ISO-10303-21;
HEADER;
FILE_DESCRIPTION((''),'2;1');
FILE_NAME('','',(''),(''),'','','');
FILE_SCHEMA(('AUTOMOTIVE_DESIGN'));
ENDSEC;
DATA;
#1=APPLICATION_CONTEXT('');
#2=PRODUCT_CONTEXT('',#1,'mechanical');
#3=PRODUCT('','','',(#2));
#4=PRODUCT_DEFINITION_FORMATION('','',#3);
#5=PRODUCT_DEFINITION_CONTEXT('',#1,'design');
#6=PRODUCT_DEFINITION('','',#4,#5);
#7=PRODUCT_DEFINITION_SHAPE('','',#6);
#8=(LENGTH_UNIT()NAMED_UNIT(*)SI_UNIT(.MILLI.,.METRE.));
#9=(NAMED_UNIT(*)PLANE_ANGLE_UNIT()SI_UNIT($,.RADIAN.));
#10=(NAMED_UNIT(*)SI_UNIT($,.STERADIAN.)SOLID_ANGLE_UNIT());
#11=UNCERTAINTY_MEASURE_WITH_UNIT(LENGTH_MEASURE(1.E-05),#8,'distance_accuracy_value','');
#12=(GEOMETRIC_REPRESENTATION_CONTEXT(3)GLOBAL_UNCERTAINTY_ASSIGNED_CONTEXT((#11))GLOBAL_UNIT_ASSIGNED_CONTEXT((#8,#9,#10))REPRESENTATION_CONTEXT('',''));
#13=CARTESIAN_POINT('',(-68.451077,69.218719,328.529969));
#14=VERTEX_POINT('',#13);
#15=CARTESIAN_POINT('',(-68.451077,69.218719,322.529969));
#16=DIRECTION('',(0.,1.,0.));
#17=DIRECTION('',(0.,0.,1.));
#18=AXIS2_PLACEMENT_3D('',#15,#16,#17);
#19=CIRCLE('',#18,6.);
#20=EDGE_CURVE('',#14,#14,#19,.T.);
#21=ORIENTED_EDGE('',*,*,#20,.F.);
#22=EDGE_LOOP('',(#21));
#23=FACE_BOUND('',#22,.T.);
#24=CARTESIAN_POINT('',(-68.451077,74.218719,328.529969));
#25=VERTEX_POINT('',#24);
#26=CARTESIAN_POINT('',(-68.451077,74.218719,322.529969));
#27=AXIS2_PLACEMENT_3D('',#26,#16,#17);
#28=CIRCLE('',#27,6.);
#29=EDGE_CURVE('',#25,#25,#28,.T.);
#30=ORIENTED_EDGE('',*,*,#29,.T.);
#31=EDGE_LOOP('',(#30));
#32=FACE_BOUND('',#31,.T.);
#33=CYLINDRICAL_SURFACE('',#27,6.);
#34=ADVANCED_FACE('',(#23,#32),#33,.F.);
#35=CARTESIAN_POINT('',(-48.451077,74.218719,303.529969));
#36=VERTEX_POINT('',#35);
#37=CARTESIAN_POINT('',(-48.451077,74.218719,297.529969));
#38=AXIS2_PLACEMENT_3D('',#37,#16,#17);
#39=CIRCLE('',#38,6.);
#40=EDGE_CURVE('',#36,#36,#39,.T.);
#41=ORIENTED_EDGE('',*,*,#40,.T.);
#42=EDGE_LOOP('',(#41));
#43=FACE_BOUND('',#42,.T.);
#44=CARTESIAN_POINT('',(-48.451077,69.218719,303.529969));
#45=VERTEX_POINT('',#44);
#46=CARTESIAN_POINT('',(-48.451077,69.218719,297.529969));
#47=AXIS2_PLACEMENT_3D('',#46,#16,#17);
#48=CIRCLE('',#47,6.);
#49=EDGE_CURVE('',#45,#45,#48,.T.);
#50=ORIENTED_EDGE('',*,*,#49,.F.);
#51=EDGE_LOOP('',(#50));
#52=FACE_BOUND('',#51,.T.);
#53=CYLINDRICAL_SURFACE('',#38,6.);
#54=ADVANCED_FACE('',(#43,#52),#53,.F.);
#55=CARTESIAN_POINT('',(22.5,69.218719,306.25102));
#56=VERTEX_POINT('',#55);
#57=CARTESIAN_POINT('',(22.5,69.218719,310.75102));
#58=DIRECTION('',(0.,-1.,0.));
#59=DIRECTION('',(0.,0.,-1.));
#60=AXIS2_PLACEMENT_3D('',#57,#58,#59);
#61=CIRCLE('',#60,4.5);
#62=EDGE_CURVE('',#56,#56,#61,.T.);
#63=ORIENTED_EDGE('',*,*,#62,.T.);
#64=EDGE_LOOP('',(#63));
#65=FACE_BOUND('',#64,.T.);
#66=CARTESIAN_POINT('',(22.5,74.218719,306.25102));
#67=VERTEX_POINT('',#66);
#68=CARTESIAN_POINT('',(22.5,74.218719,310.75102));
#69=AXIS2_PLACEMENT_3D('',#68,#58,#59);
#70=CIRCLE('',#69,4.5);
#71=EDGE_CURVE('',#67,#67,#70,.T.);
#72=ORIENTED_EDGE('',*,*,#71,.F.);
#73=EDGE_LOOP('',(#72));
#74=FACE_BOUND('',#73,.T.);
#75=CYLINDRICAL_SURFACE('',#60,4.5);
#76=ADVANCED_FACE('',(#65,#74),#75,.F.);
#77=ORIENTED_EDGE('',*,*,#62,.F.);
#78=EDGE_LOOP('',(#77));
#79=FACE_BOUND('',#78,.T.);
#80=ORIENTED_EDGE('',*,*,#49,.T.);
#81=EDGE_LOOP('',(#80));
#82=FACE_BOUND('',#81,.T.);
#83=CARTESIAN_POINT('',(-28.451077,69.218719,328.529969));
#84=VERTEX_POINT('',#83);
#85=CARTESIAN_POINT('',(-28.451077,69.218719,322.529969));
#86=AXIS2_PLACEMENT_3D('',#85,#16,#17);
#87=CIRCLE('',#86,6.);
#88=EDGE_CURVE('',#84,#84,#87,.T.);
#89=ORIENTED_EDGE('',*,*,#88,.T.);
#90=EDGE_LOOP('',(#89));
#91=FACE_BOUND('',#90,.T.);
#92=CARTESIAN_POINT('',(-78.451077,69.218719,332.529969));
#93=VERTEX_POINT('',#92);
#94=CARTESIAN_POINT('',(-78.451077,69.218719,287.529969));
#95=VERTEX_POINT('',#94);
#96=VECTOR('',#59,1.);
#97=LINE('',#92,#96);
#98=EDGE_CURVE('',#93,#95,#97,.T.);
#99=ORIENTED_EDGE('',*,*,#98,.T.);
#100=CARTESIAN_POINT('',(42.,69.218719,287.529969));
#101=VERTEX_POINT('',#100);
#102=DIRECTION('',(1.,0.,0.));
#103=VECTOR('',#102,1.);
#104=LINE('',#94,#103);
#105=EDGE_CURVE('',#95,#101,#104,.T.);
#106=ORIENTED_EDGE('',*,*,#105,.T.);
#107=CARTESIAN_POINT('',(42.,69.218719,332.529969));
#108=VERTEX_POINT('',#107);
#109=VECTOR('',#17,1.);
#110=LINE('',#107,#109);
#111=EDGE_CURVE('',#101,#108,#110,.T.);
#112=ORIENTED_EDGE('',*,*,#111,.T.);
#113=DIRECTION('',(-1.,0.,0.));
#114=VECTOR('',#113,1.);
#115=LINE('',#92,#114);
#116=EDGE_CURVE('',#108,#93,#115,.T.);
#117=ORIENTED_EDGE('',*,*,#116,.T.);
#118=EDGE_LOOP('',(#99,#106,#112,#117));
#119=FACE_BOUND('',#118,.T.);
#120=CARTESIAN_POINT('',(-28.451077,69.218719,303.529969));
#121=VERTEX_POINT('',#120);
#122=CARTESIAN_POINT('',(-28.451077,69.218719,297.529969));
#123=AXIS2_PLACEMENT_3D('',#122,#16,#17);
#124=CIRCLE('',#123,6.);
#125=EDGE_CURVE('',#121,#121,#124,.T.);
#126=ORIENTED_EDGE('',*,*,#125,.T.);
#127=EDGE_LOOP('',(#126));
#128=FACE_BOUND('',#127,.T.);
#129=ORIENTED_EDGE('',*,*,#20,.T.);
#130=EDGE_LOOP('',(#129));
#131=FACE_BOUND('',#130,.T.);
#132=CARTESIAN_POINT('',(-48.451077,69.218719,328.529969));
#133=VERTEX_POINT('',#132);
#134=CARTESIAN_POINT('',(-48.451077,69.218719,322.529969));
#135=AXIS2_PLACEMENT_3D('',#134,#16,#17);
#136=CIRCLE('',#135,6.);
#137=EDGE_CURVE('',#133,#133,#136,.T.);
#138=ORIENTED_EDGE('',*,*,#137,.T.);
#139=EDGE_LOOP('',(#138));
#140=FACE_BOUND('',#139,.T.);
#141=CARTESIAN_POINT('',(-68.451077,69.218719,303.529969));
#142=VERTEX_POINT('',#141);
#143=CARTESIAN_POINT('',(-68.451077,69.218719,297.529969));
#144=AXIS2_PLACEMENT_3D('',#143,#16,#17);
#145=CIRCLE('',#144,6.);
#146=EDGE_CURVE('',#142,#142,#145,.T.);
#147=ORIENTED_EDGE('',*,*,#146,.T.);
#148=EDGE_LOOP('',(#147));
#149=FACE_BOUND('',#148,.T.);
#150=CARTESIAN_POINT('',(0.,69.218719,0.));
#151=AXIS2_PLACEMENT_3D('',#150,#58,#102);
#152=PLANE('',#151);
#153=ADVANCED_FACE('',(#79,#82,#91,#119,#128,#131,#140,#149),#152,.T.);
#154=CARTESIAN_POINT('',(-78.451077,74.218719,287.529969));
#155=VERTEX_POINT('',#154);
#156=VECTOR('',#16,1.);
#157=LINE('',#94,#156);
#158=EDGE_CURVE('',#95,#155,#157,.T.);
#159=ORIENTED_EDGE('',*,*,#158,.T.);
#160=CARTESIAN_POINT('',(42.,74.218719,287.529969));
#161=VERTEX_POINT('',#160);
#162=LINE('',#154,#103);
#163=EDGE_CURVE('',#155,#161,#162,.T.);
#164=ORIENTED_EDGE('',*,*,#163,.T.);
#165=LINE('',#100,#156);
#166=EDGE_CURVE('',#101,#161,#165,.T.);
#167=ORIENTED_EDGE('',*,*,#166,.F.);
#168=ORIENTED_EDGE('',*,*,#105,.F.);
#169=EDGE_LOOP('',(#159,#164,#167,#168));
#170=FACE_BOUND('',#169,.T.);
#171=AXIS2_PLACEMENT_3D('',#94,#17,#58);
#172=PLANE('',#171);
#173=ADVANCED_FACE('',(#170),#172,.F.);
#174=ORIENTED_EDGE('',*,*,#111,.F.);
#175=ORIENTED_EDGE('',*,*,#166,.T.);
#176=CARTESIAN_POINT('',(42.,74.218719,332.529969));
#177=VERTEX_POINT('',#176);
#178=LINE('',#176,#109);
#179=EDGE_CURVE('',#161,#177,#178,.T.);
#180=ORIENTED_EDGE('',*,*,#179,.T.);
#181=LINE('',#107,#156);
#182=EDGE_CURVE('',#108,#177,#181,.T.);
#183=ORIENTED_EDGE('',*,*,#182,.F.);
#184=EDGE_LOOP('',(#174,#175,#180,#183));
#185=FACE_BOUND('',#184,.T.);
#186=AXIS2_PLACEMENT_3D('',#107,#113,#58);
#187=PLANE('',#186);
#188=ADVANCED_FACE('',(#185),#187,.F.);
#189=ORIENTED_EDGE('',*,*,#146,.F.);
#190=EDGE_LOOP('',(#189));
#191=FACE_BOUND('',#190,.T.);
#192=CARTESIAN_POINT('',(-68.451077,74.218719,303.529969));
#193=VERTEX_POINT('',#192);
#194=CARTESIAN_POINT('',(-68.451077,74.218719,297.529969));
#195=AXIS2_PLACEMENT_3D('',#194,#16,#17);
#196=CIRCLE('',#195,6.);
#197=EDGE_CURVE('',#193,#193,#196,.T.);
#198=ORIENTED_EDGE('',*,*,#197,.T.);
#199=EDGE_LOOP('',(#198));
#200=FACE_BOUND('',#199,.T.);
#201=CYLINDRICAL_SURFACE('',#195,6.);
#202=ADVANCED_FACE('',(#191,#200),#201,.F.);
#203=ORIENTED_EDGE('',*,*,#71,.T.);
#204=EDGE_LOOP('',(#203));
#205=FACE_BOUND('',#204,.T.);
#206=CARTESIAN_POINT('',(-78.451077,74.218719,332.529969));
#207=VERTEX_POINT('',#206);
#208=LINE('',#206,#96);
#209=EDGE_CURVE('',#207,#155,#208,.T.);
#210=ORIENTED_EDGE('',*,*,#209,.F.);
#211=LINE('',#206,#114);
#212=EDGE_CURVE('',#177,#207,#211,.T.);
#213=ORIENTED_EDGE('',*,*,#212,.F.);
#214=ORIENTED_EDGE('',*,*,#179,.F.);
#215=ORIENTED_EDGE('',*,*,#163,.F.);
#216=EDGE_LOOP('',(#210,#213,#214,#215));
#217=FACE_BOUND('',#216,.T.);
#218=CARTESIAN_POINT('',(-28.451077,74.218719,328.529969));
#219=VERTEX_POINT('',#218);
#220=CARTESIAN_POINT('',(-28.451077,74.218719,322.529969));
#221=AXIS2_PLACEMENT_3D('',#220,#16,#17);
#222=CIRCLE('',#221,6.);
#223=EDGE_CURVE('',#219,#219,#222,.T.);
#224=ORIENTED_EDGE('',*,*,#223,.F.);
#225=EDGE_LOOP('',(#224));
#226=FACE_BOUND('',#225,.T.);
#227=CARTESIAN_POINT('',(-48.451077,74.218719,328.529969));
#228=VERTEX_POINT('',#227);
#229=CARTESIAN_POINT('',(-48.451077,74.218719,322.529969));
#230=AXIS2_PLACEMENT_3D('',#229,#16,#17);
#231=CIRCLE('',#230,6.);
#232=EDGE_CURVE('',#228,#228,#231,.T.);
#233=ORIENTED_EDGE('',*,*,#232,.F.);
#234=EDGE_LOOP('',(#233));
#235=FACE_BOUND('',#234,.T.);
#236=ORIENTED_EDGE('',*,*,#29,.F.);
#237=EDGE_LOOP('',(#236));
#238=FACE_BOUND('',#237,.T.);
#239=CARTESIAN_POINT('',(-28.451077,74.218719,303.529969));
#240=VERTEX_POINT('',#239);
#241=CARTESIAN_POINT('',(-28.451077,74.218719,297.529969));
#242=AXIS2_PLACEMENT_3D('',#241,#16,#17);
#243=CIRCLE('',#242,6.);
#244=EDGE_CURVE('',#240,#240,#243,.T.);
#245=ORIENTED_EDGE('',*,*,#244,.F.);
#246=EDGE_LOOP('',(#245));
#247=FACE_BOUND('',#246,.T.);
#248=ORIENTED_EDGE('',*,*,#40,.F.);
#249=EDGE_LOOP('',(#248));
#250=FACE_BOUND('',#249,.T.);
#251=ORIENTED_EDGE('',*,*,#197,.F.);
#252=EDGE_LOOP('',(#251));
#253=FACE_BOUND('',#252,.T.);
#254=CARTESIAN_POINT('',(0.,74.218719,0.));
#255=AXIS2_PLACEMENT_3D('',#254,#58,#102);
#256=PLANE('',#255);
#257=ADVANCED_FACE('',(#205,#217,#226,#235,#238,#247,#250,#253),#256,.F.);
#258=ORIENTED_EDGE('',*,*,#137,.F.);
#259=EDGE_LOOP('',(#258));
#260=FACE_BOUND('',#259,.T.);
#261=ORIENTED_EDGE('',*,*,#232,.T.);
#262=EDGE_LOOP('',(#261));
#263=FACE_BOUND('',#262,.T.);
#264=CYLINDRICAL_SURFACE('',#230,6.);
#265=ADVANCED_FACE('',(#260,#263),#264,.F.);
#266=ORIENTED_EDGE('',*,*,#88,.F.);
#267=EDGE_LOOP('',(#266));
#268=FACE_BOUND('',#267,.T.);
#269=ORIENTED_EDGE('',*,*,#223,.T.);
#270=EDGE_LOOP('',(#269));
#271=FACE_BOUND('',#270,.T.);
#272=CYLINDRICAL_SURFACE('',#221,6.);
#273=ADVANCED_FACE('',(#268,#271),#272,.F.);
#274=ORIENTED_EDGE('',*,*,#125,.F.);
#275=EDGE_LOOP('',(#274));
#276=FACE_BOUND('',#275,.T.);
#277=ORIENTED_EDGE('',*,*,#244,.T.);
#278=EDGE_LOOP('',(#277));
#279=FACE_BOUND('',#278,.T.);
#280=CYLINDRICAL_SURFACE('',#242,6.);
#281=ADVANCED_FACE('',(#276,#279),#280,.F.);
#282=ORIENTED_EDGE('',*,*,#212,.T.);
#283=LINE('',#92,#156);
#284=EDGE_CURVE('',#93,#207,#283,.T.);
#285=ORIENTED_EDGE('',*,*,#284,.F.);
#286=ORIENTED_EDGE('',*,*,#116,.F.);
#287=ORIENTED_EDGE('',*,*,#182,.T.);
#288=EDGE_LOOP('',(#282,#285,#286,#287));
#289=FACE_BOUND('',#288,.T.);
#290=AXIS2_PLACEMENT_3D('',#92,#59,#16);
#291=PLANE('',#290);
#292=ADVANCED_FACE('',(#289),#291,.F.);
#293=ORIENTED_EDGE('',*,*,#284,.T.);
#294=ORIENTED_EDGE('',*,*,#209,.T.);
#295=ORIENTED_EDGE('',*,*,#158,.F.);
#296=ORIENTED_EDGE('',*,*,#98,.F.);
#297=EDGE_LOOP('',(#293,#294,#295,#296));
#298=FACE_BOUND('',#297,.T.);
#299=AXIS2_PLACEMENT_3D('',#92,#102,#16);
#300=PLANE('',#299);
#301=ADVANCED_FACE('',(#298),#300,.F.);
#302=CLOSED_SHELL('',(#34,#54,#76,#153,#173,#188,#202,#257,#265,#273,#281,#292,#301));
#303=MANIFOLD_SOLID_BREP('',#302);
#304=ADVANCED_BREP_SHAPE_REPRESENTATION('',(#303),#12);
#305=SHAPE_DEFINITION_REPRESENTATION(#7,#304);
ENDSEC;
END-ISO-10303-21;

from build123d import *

# Parameters (mm, degrees)
SKETCH1_W                  = 120.45107664
SKETCH1_H                  = 45
BOSS_EXTRUDE1_DEPTH        = 5
F_12_0_12_DIAMETER_HOLE1_D = 12
F_9_0_9_DIAMETER_HOLE1_D   = 9


with BuildPart() as part:
    # Sketch1 → Boss-Extrude1 (new body)
    with BuildSketch(Plane.XZ.offset(-74.218719002)):
        with Locations((-18.22553832, 310.029969029)):
            Rectangle(SKETCH1_W, SKETCH1_H)
    extrude(amount=BOSS_EXTRUDE1_DEPTH)

    # Ø12.0 (12) Diameter Hole1 (through all)
    with Locations(Plane(origin=(0, 74.218719002, 0), x_dir=(1, 0, 0), z_dir=(0, 1, 0))):
        with Locations((-68.45107664, -322.529969029), (-68.45107664, -297.529969029), (-48.45107664, -322.529969029), (-28.45107664, -322.529969029), (-48.45107664, -297.529969029), (-28.45107664, -297.529969029)):
            Hole(F_12_0_12_DIAMETER_HOLE1_D / 2)

    # Ø9.0 (9) Diameter Hole1 (through all)
    with Locations(Plane(origin=(0, 69.218719002, 0), x_dir=(-1, 0, 0), z_dir=(0, -1, 0))):
        with Locations((-22.5, -310.751020034)):
            Hole(F_9_0_9_DIAMETER_HOLE1_D / 2)


solid = part.part
